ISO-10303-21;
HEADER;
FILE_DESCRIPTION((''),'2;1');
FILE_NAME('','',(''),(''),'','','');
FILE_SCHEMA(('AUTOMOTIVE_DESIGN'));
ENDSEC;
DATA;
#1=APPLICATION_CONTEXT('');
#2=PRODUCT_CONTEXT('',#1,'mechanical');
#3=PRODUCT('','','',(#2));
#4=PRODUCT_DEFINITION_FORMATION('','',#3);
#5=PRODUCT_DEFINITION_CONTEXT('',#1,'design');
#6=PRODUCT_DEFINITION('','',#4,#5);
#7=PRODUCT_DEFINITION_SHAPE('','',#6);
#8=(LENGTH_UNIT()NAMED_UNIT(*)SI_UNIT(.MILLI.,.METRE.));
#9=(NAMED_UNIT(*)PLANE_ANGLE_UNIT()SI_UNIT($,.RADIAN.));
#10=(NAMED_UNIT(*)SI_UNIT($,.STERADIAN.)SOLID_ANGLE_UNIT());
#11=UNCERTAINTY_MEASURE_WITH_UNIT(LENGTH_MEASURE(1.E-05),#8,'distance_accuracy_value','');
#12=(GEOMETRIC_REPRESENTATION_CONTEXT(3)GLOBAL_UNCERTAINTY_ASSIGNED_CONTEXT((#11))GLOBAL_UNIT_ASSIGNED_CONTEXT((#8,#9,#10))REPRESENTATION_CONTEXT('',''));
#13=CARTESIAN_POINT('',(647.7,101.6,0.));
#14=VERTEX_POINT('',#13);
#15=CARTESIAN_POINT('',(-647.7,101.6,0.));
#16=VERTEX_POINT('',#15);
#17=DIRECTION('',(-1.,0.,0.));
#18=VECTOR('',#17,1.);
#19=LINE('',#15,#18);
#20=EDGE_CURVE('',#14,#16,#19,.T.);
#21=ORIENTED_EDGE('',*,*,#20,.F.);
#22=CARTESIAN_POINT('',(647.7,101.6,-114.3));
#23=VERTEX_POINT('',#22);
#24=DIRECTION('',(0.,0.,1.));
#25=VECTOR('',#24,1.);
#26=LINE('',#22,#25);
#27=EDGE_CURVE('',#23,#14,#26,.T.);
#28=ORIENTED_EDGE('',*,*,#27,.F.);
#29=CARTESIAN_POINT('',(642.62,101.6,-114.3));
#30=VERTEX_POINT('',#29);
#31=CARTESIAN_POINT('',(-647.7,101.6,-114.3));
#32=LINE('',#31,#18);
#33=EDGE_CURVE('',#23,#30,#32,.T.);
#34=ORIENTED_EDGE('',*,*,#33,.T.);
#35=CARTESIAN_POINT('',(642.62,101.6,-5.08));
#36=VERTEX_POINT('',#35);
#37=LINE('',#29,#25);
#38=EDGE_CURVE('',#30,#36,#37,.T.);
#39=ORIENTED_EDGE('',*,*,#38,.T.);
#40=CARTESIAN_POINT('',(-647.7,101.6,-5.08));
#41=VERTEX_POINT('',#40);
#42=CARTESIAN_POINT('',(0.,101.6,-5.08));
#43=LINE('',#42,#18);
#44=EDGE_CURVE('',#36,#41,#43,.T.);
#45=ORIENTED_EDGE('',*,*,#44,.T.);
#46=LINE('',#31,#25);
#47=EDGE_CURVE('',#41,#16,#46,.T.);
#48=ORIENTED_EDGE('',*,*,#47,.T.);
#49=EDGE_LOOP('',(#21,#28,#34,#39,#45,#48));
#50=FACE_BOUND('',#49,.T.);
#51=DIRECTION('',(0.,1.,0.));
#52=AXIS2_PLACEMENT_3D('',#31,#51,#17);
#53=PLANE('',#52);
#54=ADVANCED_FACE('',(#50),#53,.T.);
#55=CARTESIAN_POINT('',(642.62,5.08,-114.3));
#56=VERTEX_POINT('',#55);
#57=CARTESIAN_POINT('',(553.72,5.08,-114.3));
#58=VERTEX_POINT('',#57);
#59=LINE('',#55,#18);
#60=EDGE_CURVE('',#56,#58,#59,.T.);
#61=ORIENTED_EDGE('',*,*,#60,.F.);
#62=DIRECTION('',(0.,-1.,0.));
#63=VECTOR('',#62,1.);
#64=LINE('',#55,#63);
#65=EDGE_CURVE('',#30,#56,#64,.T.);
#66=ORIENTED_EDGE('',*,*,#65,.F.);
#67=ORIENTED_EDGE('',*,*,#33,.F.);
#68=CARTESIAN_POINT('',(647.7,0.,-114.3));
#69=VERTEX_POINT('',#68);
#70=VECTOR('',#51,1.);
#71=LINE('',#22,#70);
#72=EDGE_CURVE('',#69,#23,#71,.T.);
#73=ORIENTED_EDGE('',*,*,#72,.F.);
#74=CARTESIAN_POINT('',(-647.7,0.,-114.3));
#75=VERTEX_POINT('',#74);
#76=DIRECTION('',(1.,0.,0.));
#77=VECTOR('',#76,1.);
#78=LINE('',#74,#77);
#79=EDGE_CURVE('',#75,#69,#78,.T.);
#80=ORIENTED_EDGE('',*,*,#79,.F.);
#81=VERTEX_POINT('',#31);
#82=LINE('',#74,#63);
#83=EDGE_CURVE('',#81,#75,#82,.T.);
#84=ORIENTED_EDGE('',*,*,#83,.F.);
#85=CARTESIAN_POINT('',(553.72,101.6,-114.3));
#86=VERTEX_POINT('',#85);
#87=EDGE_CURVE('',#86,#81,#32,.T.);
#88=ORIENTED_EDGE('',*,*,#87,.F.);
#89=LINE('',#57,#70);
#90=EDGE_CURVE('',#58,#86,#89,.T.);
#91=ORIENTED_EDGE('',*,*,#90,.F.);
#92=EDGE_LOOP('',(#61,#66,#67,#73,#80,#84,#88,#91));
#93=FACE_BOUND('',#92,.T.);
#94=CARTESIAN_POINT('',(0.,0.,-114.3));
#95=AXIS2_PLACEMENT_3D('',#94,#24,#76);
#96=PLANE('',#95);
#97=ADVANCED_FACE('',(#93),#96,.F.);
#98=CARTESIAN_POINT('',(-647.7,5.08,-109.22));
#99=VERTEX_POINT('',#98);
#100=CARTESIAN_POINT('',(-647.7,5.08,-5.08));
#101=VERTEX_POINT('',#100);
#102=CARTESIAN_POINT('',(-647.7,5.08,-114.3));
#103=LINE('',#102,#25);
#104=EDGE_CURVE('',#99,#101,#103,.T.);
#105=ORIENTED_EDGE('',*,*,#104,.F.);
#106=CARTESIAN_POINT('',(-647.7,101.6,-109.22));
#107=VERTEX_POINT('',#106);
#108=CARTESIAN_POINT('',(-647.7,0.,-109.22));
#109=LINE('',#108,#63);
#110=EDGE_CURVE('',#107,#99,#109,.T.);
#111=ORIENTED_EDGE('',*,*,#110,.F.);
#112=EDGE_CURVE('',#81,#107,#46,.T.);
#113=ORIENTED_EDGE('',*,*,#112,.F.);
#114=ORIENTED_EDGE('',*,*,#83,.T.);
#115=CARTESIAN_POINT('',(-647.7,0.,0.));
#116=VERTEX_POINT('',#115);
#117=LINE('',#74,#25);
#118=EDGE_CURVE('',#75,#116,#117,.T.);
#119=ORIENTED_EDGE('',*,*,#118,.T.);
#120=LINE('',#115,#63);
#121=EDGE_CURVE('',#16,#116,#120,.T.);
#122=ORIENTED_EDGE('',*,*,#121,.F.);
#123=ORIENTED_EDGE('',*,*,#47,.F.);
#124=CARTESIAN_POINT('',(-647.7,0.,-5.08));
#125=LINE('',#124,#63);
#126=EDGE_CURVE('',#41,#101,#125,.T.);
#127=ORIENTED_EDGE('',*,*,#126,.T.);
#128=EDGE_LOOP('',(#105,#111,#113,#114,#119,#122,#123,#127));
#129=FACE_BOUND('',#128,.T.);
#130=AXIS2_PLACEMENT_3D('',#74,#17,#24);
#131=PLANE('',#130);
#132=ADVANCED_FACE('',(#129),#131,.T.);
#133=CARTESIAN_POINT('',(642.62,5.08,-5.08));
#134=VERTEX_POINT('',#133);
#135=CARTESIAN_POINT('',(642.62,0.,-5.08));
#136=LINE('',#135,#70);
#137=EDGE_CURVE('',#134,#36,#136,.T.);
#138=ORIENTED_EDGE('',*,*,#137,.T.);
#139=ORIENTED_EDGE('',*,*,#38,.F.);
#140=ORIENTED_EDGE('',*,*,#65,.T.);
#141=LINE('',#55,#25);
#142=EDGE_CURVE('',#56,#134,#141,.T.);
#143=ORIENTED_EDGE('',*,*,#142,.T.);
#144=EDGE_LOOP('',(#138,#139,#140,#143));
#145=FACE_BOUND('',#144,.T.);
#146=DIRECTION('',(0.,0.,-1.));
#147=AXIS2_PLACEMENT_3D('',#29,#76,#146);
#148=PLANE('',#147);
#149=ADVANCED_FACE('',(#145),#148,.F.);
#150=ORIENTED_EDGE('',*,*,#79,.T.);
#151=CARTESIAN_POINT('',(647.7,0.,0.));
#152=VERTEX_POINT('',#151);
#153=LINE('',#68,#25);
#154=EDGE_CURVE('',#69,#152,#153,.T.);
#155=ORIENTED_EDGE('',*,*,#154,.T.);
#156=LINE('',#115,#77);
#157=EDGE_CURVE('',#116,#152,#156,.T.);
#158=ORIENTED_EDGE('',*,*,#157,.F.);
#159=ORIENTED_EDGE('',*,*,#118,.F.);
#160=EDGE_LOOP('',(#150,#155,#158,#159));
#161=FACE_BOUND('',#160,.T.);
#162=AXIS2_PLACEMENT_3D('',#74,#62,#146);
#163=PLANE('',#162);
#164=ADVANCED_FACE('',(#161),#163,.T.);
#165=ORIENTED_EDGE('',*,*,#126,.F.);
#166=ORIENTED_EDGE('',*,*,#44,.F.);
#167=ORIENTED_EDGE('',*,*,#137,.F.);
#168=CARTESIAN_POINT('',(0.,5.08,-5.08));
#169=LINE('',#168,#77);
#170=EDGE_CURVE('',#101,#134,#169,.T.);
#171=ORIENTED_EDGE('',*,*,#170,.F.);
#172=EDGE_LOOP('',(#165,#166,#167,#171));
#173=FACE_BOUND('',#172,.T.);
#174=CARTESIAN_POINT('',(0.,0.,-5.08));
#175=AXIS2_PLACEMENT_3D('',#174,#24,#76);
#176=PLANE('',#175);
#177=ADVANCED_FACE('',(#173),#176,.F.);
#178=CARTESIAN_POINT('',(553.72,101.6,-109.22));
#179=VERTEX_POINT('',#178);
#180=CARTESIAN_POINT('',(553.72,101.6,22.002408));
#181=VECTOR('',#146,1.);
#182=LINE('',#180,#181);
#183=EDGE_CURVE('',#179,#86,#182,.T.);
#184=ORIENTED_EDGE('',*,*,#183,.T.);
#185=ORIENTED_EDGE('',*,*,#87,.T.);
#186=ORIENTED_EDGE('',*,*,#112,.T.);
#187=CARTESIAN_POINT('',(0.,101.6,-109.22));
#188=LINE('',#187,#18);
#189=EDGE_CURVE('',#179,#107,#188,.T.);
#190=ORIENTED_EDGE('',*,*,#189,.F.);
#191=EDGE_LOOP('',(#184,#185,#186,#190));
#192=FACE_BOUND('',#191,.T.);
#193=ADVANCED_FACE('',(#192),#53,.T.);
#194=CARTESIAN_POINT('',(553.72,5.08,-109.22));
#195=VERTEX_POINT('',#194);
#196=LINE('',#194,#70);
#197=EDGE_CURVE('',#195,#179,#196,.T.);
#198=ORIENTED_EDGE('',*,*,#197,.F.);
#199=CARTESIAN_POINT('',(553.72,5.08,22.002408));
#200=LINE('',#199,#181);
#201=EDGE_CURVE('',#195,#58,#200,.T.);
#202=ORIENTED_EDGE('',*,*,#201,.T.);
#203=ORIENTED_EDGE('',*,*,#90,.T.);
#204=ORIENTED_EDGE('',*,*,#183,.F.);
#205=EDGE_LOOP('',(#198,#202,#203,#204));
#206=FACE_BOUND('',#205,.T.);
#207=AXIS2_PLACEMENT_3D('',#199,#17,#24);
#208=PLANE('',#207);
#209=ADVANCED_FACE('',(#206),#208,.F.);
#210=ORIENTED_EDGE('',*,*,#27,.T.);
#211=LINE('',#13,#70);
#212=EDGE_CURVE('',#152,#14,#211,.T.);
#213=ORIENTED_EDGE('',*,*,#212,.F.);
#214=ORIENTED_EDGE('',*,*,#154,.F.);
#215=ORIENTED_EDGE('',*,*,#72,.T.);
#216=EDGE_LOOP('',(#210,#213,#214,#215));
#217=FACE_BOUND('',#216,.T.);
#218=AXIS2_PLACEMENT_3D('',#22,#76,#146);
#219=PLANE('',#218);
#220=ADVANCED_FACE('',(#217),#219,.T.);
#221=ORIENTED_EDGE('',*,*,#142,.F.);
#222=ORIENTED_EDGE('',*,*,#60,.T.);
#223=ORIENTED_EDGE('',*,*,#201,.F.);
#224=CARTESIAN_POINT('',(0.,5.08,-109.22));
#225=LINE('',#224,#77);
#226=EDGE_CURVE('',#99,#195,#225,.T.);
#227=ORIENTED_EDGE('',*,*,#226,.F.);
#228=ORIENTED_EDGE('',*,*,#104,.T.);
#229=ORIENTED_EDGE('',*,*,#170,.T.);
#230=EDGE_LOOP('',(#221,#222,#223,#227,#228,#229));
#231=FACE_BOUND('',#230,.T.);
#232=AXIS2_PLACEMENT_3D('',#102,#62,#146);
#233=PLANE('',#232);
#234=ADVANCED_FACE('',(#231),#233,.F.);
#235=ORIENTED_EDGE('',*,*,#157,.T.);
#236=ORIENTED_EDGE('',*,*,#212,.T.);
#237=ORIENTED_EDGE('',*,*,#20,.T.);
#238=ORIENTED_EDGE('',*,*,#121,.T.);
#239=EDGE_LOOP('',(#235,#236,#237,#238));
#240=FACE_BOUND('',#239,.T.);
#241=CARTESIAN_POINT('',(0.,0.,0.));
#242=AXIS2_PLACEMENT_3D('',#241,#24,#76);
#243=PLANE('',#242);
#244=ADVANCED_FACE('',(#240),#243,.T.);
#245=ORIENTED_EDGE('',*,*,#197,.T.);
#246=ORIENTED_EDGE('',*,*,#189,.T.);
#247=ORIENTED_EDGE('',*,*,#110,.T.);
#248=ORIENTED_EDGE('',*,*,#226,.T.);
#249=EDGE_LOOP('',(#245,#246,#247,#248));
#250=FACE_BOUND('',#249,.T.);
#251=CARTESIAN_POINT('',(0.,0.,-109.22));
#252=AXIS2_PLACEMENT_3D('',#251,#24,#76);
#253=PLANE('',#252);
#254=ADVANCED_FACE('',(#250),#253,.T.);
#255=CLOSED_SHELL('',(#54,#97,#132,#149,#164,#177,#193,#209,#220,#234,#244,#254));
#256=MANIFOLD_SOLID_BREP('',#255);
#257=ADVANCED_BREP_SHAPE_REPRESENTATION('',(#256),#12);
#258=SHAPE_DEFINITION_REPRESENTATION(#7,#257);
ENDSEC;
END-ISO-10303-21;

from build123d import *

# Parameters (mm, degrees)
SKETCH1_W           = 1295.4
SKETCH1_H           = 101.6
BOSS_EXTRUDE1_DEPTH = 114.3
SHELL1_T            = -5.08
SKETCH3_W           = 88.9
SKETCH3_H           = 96.52
CUT_EXTRUDE1_DEPTH  = 5.08


with BuildPart() as part:
    # Sketch1 → Boss-Extrude1 (new body)
    with BuildSketch(Plane.XY):
        with Locations((0, 50.8)):
            Rectangle(SKETCH1_W, SKETCH1_H)
    extrude(amount=-BOSS_EXTRUDE1_DEPTH)

    # Shell1
    shell1_openings = [part.faces().sort_by_distance(p)[0] for p in [
        (-647.7, 50.8, -57.15),
        (0, 101.6, -57.15),
    ]]
    offset(amount=SHELL1_T, openings=shell1_openings, kind=Kind.INTERSECTION)

    # Sketch3 → Cut-Extrude1 (cut)
    with BuildSketch(Plane(origin=(0, 0, -114.3), x_dir=(-1, 0, 0), z_dir=(0, 0, -1))):
        with Locations((-598.17, 53.34)):
            Rectangle(SKETCH3_W, SKETCH3_H)
    extrude(amount=-CUT_EXTRUDE1_DEPTH, mode=Mode.SUBTRACT)


solid = part.part
